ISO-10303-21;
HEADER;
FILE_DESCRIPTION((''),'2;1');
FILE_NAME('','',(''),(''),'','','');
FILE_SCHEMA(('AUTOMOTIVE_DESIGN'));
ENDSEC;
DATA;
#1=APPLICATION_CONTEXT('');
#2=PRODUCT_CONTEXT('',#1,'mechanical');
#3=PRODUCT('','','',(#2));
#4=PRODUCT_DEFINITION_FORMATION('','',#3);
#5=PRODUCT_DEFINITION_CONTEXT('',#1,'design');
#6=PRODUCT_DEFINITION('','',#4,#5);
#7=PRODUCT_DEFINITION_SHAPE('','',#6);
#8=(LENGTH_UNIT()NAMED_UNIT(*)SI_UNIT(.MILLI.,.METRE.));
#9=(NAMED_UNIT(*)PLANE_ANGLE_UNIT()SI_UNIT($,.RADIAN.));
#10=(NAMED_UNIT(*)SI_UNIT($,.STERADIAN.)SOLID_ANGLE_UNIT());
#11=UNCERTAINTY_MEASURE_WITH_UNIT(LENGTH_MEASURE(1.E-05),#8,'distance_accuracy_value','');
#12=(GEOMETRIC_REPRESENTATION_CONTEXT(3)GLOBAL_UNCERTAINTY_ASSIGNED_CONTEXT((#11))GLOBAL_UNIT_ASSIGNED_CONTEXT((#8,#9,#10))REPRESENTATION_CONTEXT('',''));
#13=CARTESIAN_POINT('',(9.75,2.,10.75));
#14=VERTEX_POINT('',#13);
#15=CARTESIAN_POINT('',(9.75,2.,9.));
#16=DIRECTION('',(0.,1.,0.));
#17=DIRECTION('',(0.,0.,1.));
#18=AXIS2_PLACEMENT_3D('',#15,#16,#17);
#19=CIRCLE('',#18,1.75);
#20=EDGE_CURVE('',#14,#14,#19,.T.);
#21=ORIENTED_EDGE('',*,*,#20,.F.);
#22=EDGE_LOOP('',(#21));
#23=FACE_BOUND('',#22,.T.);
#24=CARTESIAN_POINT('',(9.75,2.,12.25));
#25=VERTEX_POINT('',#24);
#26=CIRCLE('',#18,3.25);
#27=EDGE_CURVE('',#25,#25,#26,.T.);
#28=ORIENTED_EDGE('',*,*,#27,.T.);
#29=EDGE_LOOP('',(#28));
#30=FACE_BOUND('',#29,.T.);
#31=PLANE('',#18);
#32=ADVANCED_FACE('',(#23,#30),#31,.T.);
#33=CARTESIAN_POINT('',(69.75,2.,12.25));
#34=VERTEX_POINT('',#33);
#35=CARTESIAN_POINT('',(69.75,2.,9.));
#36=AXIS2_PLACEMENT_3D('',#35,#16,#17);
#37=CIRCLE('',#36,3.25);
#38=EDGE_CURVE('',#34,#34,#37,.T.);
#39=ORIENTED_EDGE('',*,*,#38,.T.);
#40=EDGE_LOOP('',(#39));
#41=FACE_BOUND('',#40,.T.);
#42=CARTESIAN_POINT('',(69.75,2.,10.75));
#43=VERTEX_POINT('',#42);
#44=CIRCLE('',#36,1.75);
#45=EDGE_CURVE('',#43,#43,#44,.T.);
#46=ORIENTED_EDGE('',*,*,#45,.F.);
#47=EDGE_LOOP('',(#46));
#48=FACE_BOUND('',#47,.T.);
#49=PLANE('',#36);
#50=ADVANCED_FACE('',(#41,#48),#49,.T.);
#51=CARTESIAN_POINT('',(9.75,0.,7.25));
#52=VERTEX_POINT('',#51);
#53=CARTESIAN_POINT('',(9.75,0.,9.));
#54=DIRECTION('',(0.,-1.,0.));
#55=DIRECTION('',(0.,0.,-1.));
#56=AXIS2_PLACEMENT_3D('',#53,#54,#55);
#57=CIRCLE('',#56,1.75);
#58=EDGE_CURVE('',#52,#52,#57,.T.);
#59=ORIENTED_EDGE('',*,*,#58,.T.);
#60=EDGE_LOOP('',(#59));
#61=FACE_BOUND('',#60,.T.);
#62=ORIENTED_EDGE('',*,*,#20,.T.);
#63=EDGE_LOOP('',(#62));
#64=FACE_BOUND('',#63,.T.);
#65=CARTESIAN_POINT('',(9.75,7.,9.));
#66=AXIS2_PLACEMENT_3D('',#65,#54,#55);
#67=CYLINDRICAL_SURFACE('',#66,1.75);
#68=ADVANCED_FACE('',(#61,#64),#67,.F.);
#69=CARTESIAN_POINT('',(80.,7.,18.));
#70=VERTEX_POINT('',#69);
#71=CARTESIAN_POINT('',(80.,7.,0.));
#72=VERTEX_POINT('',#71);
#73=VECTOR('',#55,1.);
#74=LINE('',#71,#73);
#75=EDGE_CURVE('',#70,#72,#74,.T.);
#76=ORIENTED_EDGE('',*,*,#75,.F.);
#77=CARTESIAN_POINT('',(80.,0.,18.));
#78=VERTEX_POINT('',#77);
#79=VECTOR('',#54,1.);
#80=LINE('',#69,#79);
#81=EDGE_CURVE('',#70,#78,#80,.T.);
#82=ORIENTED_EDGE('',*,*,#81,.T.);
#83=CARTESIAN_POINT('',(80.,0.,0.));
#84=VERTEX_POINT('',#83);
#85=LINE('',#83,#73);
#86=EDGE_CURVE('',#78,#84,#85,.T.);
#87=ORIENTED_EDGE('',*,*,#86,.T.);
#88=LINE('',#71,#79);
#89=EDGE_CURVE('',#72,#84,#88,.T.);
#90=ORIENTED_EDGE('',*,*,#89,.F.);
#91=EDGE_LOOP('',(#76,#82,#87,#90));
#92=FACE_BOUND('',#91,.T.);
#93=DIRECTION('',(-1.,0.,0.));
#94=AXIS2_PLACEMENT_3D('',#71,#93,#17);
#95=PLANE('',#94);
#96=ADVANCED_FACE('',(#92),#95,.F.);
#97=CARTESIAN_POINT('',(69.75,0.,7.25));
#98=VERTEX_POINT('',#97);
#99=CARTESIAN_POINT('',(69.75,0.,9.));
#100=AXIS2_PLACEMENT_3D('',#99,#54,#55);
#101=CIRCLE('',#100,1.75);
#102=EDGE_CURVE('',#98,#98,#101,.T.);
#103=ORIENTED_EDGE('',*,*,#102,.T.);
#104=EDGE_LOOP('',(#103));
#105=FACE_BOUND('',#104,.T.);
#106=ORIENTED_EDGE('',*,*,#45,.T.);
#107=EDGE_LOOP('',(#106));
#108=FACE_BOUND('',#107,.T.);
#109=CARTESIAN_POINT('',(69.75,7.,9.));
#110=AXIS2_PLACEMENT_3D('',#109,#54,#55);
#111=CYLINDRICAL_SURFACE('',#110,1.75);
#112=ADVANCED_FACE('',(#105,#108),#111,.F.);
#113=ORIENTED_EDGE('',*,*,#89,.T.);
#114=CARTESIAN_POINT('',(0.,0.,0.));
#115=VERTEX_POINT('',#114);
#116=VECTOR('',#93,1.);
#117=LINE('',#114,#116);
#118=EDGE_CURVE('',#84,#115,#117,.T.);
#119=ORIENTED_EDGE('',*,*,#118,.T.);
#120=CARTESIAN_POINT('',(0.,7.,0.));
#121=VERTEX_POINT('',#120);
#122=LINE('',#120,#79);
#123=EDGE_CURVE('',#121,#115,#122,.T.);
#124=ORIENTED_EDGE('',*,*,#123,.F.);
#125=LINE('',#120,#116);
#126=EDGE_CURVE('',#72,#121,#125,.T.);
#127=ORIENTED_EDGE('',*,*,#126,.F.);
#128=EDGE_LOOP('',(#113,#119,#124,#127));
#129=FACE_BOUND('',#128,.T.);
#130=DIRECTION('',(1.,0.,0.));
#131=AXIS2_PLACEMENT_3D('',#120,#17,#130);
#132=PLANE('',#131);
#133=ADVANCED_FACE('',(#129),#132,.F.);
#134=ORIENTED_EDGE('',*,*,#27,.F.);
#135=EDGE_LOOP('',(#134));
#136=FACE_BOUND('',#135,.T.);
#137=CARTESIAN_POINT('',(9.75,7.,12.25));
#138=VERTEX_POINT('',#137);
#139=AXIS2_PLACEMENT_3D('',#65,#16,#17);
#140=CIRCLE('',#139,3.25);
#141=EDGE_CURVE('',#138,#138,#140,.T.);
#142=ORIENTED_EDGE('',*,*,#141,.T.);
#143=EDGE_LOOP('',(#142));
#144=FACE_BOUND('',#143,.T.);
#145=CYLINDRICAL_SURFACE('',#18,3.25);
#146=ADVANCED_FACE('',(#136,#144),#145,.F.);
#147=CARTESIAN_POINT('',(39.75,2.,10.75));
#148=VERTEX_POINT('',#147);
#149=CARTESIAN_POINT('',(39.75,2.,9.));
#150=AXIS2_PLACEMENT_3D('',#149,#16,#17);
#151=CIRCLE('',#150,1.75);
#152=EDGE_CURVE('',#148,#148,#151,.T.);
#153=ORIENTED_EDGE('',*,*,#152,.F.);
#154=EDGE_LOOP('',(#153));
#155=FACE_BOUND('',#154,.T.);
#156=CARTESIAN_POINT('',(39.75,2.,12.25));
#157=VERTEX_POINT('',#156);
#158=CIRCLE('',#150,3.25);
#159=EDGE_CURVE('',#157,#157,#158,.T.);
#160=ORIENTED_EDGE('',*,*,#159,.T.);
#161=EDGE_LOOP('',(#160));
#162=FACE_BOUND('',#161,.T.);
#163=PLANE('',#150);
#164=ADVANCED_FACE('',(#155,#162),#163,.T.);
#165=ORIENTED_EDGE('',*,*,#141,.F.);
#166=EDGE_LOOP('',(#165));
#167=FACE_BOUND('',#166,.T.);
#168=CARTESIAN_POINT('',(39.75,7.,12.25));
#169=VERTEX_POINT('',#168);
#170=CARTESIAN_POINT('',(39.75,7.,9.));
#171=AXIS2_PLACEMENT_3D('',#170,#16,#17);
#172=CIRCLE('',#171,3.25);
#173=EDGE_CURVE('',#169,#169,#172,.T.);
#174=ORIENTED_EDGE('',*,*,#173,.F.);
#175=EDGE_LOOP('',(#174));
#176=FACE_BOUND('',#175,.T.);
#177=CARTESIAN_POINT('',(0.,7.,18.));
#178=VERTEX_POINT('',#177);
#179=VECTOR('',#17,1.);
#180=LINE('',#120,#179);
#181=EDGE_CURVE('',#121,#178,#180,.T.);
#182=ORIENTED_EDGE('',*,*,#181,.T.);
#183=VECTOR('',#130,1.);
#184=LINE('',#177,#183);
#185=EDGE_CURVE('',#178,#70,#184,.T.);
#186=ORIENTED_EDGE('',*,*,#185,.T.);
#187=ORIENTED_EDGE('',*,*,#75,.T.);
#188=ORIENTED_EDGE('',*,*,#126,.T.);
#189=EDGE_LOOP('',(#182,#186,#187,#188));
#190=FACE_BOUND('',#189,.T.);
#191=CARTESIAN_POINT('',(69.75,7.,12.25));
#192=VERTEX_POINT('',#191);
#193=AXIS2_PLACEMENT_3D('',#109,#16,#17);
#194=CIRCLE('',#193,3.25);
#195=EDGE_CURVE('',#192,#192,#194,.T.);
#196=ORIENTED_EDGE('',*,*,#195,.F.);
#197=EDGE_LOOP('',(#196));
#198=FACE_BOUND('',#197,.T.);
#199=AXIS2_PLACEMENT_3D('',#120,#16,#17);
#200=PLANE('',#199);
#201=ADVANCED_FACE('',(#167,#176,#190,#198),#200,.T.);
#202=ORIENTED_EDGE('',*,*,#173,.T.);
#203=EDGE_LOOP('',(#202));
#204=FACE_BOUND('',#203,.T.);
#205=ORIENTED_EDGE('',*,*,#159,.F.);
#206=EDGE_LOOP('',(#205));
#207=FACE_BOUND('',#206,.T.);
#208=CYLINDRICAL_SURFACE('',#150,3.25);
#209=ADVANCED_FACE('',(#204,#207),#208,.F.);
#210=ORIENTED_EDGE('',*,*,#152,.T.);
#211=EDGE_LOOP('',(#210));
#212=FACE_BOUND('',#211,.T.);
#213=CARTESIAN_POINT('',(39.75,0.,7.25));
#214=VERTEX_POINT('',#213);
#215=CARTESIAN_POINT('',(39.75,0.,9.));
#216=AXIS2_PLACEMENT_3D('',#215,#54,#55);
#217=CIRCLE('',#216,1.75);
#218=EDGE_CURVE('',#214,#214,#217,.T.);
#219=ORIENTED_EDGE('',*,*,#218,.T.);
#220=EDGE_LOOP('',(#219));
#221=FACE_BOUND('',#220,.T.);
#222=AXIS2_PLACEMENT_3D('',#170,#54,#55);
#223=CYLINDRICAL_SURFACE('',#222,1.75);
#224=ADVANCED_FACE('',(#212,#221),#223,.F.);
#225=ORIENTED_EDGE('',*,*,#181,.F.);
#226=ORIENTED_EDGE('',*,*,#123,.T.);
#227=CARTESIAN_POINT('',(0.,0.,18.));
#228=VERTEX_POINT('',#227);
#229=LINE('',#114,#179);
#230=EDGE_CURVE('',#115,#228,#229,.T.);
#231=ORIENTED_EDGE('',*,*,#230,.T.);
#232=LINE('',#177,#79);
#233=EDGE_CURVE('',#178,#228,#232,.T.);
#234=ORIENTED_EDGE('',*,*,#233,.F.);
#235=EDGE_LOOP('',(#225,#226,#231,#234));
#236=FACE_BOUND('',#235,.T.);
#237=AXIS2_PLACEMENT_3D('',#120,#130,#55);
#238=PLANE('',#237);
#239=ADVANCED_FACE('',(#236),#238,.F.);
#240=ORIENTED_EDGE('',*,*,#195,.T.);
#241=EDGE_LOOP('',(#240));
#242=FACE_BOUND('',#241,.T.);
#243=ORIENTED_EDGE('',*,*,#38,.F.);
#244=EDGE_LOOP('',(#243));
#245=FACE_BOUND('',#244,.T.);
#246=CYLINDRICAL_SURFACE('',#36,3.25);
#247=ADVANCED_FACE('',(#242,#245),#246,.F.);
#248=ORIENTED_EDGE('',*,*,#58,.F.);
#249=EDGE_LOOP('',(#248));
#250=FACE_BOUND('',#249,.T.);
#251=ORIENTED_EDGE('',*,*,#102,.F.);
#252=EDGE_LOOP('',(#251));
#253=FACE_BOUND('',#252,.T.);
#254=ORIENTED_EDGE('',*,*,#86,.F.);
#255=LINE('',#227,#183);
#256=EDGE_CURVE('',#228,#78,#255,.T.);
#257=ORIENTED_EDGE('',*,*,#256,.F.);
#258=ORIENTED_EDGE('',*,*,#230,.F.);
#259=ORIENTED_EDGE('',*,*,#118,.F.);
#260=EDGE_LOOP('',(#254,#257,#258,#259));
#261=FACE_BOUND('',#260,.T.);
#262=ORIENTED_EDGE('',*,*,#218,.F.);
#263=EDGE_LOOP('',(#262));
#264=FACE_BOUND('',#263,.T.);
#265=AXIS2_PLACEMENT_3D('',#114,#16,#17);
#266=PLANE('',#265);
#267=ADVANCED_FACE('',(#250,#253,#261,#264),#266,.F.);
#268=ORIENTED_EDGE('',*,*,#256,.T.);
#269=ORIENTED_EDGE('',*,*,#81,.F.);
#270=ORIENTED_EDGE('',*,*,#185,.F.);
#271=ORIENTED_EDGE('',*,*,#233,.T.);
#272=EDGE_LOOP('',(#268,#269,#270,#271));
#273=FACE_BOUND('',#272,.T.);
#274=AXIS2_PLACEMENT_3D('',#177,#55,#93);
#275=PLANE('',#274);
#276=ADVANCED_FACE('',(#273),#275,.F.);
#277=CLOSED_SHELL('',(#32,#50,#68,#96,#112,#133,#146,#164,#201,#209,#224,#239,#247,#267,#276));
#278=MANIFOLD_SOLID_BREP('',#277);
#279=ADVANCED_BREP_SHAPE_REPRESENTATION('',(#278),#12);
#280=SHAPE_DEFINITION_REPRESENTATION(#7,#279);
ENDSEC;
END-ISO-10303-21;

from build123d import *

# Parameters (mm, degrees)
SKETCH_1_W          = 80
SKETCH_1_H          = 18
EXTRUDE_1_DEPTH     = 7
SKETCH_2_R          = 3.25
CUT_EXTRUDE_1_DEPTH = 5
SKETCH_3_R          = 1.75
CUT_EXTRUDE_3_DEPTH = 8


with BuildPart() as part:
    # 草图1 → 凸台-拉伸1 (new body)
    with BuildSketch(Plane(origin=(0, 0, 0), x_dir=(1, 0, 0), z_dir=(0, 1, 0))):
        with Locations((40, -9)):
            Rectangle(SKETCH_1_W, SKETCH_1_H)
    extrude(amount=EXTRUDE_1_DEPTH)

    # 草图2 → 切除-拉伸1 (cut)
    with BuildSketch(Plane(origin=(0, 7, 0), x_dir=(1, 0, 0), z_dir=(0, 1, 0))):
        with Locations((9.75, -9)):
            Circle(SKETCH_2_R)
        with Locations((39.75, -9)):
            Circle(SKETCH_2_R)
        with Locations((69.75, -9)):
            Circle(SKETCH_2_R)
    extrude(amount=-CUT_EXTRUDE_1_DEPTH, mode=Mode.SUBTRACT)

    # 草图3 → 切除-拉伸3 (cut, through all)
    with BuildSketch(Plane.XZ):
        with Locations((9.75, 9)):
            Circle(SKETCH_3_R)
        with Locations((39.75, 9)):
            Circle(SKETCH_3_R)
        with Locations((69.75, 9)):
            Circle(SKETCH_3_R)
    extrude(amount=-CUT_EXTRUDE_3_DEPTH, mode=Mode.SUBTRACT)


solid = part.part
